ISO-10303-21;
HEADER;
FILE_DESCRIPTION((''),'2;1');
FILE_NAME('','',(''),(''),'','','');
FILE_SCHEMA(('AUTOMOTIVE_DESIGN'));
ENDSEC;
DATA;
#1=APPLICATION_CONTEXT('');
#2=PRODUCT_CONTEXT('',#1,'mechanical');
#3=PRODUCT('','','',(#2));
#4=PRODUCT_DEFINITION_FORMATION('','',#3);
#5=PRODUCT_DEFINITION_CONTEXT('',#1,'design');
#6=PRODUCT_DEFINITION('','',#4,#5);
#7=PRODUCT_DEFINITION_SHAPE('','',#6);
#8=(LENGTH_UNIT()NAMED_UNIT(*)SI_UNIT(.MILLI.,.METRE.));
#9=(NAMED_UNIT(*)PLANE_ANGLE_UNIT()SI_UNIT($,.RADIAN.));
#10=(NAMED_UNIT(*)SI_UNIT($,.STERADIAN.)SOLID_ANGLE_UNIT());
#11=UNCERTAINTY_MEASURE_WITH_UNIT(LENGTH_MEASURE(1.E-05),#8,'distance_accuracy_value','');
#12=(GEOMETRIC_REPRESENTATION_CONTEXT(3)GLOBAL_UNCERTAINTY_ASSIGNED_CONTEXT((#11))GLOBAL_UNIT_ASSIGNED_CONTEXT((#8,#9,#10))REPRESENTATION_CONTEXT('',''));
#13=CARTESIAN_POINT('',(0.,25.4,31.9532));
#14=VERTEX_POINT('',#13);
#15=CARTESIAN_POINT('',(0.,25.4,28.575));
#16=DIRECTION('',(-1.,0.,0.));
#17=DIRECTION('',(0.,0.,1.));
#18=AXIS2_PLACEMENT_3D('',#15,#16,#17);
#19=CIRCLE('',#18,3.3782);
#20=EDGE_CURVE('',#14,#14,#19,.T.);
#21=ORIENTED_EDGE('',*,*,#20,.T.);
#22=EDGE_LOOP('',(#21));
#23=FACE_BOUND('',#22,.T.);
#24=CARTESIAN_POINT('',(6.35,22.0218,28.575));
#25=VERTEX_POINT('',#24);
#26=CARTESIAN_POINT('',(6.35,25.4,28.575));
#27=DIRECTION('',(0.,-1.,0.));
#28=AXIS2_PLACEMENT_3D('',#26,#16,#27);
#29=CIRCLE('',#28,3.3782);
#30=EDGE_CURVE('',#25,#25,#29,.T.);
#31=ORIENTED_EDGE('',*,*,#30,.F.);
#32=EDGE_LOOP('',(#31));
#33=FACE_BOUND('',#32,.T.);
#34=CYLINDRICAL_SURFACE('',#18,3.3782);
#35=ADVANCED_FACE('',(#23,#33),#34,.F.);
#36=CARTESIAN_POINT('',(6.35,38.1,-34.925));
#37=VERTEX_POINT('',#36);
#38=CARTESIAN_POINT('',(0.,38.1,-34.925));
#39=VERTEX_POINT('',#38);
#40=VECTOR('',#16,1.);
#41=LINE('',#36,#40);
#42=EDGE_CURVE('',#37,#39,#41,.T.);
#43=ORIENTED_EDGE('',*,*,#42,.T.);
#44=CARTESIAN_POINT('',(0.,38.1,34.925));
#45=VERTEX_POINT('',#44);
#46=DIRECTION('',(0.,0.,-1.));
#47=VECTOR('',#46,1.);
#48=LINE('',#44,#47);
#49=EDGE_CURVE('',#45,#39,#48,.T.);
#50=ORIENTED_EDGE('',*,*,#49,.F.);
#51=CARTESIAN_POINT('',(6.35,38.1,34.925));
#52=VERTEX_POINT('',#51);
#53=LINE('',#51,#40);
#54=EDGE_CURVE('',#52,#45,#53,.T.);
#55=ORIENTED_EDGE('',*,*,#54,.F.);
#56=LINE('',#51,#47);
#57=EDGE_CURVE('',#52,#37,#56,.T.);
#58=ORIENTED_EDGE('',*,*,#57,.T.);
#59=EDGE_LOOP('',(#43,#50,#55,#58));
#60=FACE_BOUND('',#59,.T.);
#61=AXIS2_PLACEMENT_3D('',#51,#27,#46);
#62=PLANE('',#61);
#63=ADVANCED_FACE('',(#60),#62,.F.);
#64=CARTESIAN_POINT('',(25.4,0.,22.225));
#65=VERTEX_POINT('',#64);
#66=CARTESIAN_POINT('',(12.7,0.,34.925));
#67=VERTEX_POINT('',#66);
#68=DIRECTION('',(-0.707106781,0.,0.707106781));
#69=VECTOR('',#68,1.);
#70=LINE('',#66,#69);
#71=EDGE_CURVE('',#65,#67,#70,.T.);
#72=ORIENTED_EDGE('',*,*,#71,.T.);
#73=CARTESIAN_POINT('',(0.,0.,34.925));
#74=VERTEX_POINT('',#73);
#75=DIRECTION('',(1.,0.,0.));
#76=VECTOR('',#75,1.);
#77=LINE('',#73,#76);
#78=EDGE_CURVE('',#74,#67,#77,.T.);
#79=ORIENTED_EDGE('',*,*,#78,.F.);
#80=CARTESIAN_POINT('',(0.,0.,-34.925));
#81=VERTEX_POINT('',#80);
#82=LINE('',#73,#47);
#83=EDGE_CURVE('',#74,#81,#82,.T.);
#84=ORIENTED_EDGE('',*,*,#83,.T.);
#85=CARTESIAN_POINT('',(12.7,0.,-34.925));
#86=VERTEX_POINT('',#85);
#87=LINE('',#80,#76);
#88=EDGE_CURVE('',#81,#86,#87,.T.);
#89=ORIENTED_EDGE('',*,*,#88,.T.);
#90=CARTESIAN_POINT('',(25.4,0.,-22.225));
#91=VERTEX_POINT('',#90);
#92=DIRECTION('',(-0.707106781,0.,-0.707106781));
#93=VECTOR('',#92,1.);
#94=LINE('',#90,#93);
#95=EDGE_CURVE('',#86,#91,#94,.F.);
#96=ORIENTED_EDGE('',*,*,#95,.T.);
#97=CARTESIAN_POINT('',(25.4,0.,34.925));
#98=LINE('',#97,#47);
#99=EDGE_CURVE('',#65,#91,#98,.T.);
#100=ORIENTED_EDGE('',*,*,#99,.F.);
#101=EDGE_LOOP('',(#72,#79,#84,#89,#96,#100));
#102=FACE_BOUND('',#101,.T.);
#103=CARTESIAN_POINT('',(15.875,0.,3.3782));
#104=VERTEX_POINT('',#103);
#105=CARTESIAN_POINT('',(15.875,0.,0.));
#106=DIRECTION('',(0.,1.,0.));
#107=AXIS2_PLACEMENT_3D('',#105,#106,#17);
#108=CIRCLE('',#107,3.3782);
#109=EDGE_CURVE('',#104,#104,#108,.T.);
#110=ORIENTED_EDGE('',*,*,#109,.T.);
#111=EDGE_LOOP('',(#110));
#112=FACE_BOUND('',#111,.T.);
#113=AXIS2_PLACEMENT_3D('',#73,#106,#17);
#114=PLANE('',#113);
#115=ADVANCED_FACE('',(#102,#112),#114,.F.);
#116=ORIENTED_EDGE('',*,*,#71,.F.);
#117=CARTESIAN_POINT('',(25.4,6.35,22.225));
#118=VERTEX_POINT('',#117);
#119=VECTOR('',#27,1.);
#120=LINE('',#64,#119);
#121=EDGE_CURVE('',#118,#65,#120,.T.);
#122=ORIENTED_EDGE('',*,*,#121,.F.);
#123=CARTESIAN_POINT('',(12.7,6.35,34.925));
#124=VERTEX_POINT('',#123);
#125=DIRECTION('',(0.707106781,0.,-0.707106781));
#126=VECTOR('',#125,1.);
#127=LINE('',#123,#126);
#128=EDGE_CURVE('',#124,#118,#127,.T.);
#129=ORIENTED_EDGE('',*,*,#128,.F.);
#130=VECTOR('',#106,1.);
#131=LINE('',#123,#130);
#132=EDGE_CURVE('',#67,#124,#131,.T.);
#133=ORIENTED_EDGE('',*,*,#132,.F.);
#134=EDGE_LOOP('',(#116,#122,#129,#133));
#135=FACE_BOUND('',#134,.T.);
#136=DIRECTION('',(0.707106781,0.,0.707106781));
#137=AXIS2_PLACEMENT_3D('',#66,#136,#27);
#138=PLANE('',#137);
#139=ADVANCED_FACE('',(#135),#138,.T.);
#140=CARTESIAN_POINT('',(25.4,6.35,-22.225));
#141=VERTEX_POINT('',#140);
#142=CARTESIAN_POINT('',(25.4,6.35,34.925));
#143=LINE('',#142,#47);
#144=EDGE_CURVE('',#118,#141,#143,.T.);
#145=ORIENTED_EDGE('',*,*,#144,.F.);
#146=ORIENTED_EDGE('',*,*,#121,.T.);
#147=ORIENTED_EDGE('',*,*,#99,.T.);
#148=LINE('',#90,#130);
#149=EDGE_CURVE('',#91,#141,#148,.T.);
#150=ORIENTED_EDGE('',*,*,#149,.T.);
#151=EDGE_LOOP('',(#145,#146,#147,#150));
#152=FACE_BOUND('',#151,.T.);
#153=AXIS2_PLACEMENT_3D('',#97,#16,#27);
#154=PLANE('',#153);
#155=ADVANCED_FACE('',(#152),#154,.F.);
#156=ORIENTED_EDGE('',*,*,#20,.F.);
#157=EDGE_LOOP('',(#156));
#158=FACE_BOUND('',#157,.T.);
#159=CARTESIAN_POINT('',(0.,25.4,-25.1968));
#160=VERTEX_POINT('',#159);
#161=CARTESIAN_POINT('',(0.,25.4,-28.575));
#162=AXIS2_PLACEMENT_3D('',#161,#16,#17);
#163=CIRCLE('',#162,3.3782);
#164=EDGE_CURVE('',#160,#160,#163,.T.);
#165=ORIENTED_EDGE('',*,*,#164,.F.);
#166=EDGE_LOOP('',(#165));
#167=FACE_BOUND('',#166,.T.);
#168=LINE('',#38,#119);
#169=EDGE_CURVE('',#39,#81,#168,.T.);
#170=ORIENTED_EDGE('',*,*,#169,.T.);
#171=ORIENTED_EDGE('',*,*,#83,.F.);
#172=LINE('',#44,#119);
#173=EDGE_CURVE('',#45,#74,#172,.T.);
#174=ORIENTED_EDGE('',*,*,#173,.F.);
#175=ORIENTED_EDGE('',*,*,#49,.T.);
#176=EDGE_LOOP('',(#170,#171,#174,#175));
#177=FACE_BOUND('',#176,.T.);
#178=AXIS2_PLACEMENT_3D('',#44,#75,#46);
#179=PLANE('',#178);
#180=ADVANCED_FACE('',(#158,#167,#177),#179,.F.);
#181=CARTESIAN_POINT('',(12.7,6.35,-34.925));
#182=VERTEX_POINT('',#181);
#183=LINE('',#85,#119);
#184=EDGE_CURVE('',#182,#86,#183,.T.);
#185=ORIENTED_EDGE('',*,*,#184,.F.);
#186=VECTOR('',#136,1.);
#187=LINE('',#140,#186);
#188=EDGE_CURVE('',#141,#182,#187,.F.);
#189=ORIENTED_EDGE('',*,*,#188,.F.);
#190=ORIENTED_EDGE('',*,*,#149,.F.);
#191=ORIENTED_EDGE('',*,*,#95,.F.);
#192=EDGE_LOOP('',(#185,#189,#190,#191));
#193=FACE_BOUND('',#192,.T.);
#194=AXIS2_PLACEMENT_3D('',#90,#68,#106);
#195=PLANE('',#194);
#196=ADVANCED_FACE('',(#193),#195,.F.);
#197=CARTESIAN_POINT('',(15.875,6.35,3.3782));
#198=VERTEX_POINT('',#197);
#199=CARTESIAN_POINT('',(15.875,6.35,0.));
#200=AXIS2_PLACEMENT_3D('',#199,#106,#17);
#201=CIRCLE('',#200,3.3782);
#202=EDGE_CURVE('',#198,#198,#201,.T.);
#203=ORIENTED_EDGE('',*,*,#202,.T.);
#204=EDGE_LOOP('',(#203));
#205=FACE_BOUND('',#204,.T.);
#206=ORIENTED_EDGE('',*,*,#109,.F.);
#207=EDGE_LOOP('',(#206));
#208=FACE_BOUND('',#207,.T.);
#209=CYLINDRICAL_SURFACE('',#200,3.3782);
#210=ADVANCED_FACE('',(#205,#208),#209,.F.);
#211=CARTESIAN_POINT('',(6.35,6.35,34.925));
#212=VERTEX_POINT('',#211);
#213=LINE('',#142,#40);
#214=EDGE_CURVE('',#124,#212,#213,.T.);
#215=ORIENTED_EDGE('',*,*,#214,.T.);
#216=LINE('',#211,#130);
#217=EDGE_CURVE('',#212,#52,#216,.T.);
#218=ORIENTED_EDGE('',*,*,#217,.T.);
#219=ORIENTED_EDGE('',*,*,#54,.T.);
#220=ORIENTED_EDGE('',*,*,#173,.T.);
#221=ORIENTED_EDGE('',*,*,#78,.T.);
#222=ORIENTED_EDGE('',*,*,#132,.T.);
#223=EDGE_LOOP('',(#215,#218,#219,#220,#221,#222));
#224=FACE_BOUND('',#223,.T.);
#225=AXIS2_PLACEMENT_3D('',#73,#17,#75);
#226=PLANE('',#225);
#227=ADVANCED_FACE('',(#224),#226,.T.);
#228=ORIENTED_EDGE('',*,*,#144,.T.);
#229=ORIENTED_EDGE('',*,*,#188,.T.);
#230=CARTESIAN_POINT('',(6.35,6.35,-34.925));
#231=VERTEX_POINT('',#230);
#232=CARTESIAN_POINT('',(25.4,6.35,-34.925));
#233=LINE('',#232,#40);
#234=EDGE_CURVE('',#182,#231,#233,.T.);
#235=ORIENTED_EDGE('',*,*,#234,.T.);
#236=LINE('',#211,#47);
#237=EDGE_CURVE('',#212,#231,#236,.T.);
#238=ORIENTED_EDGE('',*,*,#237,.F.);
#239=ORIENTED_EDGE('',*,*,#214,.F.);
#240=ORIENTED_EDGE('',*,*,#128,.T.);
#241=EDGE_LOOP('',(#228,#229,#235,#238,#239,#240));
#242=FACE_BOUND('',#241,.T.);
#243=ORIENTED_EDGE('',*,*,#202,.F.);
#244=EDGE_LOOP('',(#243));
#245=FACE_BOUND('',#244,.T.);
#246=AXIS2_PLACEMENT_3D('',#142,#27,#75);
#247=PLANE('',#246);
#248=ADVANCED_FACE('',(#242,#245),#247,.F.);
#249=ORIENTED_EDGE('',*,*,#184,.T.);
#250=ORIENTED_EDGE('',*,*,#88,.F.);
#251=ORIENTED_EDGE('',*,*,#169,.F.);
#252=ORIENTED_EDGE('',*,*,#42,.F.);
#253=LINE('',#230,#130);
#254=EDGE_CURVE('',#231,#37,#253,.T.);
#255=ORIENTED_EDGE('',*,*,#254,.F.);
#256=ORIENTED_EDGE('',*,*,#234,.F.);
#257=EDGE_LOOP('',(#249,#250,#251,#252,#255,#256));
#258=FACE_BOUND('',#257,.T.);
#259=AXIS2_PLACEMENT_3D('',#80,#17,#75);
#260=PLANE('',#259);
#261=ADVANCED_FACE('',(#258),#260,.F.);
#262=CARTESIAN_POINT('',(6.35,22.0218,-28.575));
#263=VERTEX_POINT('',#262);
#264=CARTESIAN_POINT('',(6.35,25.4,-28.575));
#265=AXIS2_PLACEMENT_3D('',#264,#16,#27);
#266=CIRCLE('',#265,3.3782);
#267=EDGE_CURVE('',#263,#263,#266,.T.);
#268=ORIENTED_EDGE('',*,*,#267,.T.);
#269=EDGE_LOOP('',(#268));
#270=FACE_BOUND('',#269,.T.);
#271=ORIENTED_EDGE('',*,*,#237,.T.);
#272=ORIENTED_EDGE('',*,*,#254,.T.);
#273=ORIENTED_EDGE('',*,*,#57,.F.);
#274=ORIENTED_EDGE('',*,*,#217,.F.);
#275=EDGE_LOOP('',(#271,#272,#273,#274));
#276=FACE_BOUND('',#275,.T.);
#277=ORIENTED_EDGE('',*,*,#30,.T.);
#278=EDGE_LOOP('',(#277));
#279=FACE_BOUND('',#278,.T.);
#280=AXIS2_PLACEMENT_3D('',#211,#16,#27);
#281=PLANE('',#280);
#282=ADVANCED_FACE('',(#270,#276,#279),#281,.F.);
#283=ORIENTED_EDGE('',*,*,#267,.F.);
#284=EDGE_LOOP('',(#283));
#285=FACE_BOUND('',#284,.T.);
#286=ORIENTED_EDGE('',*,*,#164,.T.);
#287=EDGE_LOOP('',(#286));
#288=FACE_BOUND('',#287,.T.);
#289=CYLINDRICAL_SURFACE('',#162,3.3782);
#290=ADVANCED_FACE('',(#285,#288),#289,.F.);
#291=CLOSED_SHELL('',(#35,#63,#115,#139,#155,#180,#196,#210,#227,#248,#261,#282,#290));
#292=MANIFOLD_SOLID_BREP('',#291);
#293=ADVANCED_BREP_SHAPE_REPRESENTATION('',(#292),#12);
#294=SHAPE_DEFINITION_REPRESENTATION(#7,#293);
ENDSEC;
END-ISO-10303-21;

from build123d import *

# Parameters (mm, degrees)
BOSS_EXTRUDE1_DEPTH     = 34.925
F_1_4_CLEARANCE_HOLE1_D = 6.7564
F_1_4_CLEARANCE_HOLE2_D = 6.7564
CHAMFER1_SIZE           = 12.7


with BuildPart() as part:
    # Sketch1 → Boss-Extrude1 (new, symmetric)
    with BuildSketch(Plane.XY):
        Polygon((0, 38.1), (0, 0), (25.4, 0), (25.4, 6.35), (6.35, 6.35), (6.35, 38.1), align=None)
    extrude(amount=BOSS_EXTRUDE1_DEPTH, both=True)

    # 1/4 Clearance Hole1 (through all)
    with Locations(Plane.ZY):
        with Locations((-28.575, 25.4), (28.575, 25.4)):
            Hole(F_1_4_CLEARANCE_HOLE1_D / 2)

    # 1/4 Clearance Hole2 (through all)
    with Locations(Plane(origin=(0, 6.35, 0), x_dir=(1, 0, 0), z_dir=(0, 1, 0))):
        with Locations((15.875, 0)):
            Hole(F_1_4_CLEARANCE_HOLE2_D / 2)

    # Chamfer1
    chamfer1_edges = [part.edges().sort_by_distance(p)[0] for p in [
        (25.4, 3.175, 34.925),
        (25.4, 3.175, -34.925),
    ]]
    chamfer(chamfer1_edges, length=CHAMFER1_SIZE)


solid = part.part
